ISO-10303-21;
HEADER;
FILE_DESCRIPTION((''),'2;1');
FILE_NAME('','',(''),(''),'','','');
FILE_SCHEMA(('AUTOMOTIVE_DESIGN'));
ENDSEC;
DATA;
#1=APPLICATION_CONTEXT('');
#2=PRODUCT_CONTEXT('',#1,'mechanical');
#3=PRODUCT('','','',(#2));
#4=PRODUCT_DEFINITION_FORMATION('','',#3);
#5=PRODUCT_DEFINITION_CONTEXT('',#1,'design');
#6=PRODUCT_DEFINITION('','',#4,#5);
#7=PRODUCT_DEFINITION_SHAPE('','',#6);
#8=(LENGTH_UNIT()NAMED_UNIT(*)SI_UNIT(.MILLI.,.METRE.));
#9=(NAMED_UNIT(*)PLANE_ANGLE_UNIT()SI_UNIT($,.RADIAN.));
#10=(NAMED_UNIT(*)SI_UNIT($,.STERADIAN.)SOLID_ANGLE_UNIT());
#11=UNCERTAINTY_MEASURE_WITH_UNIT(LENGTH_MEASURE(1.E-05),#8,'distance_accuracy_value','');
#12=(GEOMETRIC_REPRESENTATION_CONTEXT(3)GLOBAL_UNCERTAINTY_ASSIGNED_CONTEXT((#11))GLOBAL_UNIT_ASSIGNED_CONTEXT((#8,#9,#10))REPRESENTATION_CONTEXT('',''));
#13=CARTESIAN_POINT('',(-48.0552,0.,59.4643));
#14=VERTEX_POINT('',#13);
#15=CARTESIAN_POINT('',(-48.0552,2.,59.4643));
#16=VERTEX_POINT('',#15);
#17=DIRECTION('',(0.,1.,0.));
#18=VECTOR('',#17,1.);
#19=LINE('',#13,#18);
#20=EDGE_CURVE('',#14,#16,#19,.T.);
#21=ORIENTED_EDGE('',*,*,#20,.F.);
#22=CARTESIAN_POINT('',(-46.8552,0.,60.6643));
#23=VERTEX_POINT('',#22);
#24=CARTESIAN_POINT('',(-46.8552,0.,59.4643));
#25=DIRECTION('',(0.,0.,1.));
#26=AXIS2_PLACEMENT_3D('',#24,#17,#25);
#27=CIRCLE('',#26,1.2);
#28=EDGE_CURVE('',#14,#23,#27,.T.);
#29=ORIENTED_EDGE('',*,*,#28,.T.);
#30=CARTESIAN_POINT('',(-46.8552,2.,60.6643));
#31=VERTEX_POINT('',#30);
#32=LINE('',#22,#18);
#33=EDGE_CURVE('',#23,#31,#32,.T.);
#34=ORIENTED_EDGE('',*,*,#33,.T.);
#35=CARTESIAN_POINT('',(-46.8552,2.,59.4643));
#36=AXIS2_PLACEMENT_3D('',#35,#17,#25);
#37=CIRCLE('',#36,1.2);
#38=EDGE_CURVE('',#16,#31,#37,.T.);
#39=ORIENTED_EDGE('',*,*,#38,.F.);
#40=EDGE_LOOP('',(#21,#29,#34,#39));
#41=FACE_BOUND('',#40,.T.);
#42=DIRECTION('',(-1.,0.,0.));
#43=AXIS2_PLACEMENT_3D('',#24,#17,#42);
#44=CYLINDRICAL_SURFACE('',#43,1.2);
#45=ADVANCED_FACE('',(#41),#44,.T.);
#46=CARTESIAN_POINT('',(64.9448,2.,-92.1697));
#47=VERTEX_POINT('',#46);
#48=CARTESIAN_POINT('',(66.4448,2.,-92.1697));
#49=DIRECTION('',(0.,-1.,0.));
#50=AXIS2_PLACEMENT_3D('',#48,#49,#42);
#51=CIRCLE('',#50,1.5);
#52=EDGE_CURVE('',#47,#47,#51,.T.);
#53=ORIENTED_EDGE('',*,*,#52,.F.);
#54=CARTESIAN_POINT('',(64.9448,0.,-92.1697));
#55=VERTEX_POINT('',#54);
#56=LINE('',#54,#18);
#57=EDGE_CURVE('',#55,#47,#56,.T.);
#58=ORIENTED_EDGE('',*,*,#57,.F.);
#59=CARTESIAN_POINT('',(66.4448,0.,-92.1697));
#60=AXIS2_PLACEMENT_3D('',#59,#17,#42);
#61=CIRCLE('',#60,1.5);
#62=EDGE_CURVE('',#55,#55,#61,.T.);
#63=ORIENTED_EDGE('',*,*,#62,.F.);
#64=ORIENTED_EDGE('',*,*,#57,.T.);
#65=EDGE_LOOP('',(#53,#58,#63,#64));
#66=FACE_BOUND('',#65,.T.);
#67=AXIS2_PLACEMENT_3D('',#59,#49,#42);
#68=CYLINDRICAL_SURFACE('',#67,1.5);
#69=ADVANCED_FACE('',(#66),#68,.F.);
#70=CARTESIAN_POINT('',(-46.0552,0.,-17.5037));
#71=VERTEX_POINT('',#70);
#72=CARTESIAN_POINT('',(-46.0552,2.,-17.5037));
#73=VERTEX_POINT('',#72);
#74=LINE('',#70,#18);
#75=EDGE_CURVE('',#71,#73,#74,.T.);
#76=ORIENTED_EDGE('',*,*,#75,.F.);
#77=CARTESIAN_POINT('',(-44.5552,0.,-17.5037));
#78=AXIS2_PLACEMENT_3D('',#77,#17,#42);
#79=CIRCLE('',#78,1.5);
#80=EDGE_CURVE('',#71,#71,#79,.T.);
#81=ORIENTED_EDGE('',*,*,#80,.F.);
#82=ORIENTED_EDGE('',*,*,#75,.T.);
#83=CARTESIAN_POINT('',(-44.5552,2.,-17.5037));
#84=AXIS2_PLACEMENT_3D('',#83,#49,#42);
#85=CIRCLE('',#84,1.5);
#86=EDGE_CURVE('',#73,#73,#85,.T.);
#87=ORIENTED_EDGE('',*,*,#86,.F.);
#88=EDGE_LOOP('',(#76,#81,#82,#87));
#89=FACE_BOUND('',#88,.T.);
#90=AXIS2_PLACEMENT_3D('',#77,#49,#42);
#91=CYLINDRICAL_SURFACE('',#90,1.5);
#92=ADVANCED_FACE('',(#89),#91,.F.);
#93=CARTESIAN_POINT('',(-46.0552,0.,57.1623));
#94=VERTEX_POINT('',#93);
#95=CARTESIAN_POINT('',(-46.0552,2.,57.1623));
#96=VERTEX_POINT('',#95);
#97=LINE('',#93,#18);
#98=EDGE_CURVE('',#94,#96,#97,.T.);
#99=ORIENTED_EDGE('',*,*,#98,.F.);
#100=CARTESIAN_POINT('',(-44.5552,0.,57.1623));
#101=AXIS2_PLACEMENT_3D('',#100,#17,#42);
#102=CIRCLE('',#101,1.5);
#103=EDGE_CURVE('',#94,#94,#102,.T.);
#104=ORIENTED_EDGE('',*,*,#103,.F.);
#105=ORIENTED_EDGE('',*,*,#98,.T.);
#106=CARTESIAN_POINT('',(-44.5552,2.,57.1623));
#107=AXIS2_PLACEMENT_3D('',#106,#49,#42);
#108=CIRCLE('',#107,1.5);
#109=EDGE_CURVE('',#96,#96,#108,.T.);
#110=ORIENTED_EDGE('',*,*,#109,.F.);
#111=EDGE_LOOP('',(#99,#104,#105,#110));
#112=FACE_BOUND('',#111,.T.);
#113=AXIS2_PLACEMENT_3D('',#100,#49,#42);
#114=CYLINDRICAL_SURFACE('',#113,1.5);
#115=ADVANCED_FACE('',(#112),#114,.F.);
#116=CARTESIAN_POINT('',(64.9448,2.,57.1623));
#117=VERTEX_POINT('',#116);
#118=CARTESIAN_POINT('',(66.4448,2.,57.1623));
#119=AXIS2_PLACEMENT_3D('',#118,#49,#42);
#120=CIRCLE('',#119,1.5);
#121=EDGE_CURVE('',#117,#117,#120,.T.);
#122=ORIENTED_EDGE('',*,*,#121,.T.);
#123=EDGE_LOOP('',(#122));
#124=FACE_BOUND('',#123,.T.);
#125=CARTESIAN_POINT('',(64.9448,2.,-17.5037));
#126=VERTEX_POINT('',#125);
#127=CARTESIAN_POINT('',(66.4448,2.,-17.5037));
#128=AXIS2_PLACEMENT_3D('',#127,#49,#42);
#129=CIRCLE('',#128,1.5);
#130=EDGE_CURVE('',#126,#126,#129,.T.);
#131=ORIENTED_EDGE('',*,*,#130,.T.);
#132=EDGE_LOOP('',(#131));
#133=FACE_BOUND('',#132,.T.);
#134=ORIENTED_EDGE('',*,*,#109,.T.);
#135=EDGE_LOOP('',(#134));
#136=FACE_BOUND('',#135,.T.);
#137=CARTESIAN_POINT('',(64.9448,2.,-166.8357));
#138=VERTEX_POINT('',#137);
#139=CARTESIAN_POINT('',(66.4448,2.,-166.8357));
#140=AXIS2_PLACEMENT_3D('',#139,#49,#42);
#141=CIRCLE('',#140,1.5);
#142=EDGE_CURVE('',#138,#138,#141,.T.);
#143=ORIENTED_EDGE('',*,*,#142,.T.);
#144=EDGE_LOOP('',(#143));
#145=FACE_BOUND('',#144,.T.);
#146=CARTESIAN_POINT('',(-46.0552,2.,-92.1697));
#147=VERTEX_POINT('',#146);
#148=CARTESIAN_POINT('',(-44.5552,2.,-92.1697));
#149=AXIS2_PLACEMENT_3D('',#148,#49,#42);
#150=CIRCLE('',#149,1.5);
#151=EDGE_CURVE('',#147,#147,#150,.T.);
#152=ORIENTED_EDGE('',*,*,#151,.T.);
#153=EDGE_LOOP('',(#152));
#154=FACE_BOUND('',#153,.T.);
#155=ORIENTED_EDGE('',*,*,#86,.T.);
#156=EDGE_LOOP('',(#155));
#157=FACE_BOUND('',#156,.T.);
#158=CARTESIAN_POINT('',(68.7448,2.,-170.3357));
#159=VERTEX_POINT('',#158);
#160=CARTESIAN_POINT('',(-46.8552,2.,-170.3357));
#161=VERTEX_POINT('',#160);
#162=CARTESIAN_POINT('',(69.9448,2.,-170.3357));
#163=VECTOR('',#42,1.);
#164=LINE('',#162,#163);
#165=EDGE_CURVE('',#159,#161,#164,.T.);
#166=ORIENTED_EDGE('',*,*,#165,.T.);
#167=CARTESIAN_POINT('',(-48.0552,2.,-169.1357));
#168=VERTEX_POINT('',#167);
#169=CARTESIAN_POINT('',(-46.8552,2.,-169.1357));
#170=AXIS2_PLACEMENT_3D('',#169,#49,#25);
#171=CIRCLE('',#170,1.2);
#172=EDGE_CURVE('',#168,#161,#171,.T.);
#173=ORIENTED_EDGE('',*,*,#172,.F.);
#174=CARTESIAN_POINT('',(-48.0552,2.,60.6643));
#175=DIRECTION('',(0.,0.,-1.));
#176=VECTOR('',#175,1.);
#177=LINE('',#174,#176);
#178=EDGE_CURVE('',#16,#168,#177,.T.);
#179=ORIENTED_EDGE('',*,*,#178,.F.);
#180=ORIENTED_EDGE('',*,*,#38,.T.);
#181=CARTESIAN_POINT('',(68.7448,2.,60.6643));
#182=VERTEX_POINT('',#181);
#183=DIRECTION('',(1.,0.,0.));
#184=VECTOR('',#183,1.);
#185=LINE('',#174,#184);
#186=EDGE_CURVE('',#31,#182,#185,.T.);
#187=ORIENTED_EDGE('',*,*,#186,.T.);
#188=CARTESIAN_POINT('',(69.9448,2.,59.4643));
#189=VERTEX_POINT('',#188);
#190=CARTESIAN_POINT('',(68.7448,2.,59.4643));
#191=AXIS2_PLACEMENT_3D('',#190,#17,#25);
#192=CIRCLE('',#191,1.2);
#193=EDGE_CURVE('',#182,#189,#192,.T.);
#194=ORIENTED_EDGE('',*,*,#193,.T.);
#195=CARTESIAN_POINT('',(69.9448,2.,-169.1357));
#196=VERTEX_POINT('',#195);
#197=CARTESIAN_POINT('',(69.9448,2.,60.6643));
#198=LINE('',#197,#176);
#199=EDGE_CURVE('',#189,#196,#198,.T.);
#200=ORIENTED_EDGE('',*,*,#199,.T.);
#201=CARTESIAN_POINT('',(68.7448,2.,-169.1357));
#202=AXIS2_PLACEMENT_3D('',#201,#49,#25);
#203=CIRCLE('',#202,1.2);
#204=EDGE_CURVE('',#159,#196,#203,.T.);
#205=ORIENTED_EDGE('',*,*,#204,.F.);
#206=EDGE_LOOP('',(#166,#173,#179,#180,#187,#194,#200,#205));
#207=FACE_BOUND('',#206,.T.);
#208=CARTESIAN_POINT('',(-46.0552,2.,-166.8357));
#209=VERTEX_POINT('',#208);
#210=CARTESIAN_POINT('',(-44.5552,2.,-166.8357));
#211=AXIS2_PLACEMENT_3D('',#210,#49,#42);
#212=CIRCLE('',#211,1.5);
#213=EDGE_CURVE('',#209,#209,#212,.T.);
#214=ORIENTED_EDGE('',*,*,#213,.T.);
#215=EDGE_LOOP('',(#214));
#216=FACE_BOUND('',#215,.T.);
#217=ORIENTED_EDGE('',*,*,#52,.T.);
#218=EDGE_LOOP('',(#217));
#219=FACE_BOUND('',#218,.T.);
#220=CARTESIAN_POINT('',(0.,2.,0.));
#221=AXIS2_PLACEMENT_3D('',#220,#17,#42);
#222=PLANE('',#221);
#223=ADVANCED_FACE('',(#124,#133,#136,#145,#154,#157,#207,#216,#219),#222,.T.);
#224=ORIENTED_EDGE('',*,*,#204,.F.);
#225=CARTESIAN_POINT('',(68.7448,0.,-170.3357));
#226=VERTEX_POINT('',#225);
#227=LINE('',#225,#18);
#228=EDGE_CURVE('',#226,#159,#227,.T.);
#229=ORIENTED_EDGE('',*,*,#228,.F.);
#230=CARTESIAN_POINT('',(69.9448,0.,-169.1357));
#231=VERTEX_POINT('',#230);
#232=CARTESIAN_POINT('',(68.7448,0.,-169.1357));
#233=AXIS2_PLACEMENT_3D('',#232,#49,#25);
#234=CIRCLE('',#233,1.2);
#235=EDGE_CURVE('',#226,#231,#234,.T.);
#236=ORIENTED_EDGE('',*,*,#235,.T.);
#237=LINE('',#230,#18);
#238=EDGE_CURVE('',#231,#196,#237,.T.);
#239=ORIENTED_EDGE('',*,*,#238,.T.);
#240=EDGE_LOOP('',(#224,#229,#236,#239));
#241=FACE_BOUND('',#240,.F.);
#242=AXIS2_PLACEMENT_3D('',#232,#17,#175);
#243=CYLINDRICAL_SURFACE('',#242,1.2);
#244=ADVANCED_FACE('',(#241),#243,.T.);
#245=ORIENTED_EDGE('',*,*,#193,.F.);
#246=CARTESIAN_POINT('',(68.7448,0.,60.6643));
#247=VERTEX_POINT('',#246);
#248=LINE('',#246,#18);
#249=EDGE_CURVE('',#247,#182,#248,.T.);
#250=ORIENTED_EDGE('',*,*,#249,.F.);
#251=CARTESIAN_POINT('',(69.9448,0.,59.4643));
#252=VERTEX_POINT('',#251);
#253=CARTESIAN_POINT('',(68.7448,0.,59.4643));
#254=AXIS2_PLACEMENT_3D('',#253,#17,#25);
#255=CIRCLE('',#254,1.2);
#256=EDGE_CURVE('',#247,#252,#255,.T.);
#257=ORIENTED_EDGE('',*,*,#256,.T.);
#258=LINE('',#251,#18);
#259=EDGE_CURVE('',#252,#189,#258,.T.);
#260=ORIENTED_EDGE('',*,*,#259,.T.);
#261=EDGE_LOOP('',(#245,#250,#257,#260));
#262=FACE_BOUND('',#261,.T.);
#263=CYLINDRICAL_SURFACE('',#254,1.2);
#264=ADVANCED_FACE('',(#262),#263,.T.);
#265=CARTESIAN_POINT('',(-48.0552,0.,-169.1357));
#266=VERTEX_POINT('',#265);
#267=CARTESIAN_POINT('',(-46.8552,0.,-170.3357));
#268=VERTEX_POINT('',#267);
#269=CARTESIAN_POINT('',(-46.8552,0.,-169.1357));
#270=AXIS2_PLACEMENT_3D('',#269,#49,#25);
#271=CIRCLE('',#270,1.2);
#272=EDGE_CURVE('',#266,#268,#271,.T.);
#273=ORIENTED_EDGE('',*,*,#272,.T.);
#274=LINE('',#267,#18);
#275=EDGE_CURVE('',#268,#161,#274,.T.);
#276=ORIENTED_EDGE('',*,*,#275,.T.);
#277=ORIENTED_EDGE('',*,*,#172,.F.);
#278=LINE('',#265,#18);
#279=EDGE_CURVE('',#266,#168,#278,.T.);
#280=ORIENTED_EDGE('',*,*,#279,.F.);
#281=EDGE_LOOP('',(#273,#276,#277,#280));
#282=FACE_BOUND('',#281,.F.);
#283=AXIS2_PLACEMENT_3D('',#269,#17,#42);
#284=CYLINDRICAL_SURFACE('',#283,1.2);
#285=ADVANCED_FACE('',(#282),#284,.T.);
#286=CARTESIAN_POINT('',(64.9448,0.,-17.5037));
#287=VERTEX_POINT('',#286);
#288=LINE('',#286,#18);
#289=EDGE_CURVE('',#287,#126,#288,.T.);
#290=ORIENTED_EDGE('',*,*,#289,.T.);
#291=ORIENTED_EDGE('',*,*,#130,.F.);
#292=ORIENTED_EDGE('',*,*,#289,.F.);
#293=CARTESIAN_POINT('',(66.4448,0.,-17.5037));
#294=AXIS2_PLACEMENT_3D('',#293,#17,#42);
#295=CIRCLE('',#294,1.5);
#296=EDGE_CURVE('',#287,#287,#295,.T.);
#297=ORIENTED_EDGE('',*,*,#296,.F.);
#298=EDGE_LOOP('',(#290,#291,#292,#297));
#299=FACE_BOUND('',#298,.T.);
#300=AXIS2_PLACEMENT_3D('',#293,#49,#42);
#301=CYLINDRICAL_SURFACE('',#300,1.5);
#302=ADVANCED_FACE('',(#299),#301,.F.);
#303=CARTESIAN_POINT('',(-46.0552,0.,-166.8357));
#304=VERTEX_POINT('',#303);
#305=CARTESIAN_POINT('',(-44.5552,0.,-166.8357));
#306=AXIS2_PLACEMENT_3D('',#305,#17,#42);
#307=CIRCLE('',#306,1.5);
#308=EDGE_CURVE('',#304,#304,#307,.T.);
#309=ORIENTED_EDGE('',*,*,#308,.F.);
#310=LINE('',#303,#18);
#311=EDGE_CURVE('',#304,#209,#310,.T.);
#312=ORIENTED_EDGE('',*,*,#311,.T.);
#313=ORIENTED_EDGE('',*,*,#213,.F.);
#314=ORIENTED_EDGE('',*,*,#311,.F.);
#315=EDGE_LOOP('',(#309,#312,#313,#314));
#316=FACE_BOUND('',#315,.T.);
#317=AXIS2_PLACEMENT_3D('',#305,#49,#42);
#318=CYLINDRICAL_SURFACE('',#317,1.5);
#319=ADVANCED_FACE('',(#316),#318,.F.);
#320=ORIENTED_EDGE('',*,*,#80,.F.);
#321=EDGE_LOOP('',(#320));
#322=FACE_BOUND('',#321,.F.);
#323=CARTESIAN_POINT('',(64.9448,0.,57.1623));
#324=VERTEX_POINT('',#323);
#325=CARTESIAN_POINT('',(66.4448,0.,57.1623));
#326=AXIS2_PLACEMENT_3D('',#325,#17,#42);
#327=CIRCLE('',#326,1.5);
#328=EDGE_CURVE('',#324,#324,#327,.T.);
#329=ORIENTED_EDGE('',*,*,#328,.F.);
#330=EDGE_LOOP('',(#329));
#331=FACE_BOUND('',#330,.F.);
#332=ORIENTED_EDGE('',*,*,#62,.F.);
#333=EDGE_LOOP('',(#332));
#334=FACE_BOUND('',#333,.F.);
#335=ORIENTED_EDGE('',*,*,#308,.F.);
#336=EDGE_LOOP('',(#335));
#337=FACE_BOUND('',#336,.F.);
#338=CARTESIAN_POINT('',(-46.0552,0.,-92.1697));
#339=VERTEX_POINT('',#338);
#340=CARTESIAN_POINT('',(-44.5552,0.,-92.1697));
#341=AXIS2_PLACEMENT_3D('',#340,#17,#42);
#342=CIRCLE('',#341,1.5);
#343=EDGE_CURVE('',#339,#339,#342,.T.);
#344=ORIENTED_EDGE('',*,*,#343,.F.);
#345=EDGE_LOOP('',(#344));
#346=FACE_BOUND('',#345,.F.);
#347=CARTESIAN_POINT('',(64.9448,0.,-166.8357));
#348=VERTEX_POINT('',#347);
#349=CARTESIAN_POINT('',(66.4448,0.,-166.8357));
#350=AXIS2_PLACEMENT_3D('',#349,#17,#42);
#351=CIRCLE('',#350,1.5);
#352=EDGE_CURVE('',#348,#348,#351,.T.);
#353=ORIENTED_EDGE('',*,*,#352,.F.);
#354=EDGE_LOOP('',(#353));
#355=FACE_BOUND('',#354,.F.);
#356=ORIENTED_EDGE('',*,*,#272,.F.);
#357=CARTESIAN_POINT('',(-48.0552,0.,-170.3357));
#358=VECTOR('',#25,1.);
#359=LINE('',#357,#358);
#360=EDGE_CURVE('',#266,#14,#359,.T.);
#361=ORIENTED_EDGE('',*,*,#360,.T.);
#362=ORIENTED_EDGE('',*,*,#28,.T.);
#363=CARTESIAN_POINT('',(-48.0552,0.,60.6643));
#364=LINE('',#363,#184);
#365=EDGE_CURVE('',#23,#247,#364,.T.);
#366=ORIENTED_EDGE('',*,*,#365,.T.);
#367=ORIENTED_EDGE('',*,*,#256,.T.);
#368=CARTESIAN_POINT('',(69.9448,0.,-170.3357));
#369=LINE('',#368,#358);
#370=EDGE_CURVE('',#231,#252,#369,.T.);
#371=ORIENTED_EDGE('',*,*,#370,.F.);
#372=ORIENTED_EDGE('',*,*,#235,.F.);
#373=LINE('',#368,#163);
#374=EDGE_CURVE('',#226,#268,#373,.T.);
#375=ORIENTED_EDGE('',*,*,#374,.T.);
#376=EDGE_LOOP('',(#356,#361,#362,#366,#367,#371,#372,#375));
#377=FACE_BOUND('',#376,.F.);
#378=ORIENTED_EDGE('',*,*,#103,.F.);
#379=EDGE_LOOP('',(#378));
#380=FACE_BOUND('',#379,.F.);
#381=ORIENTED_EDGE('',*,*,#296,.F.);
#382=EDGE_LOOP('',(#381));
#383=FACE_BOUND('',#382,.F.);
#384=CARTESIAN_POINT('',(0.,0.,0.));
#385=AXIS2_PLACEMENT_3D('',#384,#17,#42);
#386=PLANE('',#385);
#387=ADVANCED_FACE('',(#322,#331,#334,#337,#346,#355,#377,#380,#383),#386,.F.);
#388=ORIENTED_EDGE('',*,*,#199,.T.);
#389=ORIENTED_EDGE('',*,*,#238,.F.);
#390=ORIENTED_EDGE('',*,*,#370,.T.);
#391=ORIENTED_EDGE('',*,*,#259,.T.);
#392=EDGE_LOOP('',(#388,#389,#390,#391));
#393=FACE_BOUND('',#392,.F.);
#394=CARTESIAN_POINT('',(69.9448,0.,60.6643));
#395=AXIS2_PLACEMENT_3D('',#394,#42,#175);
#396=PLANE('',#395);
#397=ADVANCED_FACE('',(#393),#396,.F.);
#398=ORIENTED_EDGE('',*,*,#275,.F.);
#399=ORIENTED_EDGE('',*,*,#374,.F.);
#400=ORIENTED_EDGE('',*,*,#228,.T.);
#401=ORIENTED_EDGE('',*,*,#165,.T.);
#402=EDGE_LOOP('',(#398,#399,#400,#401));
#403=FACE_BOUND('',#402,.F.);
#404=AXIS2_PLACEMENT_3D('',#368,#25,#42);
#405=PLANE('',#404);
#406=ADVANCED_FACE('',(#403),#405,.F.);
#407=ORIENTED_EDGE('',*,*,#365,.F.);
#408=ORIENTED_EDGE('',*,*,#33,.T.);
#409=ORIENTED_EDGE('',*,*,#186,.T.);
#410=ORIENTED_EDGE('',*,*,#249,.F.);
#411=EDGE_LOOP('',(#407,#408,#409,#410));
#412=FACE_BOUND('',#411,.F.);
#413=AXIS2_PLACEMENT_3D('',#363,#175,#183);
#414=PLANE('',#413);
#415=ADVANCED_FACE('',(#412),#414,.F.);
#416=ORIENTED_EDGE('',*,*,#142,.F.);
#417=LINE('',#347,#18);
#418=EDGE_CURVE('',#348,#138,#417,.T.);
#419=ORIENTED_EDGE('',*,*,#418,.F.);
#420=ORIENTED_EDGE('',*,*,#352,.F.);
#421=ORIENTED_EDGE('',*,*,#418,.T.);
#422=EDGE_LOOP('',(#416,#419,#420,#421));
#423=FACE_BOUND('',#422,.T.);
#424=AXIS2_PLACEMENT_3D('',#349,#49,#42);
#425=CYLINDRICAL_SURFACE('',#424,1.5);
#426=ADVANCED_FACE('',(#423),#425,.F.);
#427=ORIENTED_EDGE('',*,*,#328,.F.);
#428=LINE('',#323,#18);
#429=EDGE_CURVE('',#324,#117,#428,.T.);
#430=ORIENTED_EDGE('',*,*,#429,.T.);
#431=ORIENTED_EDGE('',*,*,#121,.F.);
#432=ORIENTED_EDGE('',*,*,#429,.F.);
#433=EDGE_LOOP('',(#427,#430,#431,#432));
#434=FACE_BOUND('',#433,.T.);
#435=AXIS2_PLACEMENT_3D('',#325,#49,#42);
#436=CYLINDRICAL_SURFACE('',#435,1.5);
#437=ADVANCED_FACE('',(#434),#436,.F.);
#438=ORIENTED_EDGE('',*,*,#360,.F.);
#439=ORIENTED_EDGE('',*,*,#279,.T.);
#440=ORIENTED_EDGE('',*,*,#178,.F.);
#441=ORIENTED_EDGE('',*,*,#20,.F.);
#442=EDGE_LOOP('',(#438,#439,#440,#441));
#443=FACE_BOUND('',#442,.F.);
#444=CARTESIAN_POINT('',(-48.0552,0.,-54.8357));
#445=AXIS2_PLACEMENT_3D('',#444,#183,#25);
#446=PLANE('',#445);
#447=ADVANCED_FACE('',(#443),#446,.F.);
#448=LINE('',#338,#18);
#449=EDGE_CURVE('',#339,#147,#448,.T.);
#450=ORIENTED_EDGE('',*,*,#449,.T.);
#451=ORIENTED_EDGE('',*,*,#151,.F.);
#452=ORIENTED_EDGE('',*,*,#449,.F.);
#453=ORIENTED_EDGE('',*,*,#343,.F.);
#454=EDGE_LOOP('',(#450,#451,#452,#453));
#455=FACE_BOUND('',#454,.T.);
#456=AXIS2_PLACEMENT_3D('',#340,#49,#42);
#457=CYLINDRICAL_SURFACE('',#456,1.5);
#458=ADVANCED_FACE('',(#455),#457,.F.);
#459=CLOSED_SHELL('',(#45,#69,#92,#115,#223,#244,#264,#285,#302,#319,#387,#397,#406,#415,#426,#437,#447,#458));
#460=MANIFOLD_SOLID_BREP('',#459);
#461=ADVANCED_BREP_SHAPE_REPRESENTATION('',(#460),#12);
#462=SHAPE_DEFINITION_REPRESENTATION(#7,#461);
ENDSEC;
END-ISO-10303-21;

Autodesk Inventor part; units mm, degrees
ref_plane "YZ Plane" through (0, 0, 0) normal (1, 0, 0) x (0, 1, 0)
ref_plane "XZ Plane" through (0, 0, 0) normal (0, 1, 0) x (-1, 0, 0)
ref_plane "XY Plane" through (0, 0, 0) normal (0, 0, 1) x (1, 0, 0)
sketch "Sketch1" plane through (0, 0, 0) normal (0, 1, 0) x (-1, 0, 0)
  line L0 (48.0552, 60.6643) -> (-69.9448, 60.6643)
  line L1 (-69.9448, 60.6643) -> (-69.9448, -170.3357)
  line L2 (-69.9448, -170.3357) -> (48.0552, -170.3357)
  line L3 (48.0552, -170.3357) -> (48.0552, 60.6643)
  line L4 (48.0552, -54.8357) -> (-69.9448, -54.8357)
  circle A0 centre (44.5552, -166.8357) radius 1.5
  point P0 (0, 0)
  dimension "d0" = 118
  dimension "d1" = 231
  dimension "d2" = 115.5
  dimension "d3" = 3
  dimension "d4" = 3.5
  dimension "d5" = 3.5
extrude "Base" add sketch "Sketch1" along normal blind 2 contours L3 L4 L1 L0 | L3 L2 L1 L4 | A0
extrude "Screw Hole" cut sketch "Sketch1" along normal blind 3 contours A0
pattern_linear "Screw Hole Pattern" count 4 spacing 74.666 along (0, 0, 1) count 2 spacing 111 along (1, 0, 0) of "Screw Hole"
fillet "Corner Fillet" radius 1.2 4 edges at (69.9448, 1, 60.6643) (-48.0552, 1, 60.6643) (69.9448, 1, -170.3357) (-48.0552, 1, -170.3357)
extrude "Sectioning Cut (rear only)" [suppressed]
extrude "Sectioning Cut (front only)" [suppressed]
properties part number "case lid"
